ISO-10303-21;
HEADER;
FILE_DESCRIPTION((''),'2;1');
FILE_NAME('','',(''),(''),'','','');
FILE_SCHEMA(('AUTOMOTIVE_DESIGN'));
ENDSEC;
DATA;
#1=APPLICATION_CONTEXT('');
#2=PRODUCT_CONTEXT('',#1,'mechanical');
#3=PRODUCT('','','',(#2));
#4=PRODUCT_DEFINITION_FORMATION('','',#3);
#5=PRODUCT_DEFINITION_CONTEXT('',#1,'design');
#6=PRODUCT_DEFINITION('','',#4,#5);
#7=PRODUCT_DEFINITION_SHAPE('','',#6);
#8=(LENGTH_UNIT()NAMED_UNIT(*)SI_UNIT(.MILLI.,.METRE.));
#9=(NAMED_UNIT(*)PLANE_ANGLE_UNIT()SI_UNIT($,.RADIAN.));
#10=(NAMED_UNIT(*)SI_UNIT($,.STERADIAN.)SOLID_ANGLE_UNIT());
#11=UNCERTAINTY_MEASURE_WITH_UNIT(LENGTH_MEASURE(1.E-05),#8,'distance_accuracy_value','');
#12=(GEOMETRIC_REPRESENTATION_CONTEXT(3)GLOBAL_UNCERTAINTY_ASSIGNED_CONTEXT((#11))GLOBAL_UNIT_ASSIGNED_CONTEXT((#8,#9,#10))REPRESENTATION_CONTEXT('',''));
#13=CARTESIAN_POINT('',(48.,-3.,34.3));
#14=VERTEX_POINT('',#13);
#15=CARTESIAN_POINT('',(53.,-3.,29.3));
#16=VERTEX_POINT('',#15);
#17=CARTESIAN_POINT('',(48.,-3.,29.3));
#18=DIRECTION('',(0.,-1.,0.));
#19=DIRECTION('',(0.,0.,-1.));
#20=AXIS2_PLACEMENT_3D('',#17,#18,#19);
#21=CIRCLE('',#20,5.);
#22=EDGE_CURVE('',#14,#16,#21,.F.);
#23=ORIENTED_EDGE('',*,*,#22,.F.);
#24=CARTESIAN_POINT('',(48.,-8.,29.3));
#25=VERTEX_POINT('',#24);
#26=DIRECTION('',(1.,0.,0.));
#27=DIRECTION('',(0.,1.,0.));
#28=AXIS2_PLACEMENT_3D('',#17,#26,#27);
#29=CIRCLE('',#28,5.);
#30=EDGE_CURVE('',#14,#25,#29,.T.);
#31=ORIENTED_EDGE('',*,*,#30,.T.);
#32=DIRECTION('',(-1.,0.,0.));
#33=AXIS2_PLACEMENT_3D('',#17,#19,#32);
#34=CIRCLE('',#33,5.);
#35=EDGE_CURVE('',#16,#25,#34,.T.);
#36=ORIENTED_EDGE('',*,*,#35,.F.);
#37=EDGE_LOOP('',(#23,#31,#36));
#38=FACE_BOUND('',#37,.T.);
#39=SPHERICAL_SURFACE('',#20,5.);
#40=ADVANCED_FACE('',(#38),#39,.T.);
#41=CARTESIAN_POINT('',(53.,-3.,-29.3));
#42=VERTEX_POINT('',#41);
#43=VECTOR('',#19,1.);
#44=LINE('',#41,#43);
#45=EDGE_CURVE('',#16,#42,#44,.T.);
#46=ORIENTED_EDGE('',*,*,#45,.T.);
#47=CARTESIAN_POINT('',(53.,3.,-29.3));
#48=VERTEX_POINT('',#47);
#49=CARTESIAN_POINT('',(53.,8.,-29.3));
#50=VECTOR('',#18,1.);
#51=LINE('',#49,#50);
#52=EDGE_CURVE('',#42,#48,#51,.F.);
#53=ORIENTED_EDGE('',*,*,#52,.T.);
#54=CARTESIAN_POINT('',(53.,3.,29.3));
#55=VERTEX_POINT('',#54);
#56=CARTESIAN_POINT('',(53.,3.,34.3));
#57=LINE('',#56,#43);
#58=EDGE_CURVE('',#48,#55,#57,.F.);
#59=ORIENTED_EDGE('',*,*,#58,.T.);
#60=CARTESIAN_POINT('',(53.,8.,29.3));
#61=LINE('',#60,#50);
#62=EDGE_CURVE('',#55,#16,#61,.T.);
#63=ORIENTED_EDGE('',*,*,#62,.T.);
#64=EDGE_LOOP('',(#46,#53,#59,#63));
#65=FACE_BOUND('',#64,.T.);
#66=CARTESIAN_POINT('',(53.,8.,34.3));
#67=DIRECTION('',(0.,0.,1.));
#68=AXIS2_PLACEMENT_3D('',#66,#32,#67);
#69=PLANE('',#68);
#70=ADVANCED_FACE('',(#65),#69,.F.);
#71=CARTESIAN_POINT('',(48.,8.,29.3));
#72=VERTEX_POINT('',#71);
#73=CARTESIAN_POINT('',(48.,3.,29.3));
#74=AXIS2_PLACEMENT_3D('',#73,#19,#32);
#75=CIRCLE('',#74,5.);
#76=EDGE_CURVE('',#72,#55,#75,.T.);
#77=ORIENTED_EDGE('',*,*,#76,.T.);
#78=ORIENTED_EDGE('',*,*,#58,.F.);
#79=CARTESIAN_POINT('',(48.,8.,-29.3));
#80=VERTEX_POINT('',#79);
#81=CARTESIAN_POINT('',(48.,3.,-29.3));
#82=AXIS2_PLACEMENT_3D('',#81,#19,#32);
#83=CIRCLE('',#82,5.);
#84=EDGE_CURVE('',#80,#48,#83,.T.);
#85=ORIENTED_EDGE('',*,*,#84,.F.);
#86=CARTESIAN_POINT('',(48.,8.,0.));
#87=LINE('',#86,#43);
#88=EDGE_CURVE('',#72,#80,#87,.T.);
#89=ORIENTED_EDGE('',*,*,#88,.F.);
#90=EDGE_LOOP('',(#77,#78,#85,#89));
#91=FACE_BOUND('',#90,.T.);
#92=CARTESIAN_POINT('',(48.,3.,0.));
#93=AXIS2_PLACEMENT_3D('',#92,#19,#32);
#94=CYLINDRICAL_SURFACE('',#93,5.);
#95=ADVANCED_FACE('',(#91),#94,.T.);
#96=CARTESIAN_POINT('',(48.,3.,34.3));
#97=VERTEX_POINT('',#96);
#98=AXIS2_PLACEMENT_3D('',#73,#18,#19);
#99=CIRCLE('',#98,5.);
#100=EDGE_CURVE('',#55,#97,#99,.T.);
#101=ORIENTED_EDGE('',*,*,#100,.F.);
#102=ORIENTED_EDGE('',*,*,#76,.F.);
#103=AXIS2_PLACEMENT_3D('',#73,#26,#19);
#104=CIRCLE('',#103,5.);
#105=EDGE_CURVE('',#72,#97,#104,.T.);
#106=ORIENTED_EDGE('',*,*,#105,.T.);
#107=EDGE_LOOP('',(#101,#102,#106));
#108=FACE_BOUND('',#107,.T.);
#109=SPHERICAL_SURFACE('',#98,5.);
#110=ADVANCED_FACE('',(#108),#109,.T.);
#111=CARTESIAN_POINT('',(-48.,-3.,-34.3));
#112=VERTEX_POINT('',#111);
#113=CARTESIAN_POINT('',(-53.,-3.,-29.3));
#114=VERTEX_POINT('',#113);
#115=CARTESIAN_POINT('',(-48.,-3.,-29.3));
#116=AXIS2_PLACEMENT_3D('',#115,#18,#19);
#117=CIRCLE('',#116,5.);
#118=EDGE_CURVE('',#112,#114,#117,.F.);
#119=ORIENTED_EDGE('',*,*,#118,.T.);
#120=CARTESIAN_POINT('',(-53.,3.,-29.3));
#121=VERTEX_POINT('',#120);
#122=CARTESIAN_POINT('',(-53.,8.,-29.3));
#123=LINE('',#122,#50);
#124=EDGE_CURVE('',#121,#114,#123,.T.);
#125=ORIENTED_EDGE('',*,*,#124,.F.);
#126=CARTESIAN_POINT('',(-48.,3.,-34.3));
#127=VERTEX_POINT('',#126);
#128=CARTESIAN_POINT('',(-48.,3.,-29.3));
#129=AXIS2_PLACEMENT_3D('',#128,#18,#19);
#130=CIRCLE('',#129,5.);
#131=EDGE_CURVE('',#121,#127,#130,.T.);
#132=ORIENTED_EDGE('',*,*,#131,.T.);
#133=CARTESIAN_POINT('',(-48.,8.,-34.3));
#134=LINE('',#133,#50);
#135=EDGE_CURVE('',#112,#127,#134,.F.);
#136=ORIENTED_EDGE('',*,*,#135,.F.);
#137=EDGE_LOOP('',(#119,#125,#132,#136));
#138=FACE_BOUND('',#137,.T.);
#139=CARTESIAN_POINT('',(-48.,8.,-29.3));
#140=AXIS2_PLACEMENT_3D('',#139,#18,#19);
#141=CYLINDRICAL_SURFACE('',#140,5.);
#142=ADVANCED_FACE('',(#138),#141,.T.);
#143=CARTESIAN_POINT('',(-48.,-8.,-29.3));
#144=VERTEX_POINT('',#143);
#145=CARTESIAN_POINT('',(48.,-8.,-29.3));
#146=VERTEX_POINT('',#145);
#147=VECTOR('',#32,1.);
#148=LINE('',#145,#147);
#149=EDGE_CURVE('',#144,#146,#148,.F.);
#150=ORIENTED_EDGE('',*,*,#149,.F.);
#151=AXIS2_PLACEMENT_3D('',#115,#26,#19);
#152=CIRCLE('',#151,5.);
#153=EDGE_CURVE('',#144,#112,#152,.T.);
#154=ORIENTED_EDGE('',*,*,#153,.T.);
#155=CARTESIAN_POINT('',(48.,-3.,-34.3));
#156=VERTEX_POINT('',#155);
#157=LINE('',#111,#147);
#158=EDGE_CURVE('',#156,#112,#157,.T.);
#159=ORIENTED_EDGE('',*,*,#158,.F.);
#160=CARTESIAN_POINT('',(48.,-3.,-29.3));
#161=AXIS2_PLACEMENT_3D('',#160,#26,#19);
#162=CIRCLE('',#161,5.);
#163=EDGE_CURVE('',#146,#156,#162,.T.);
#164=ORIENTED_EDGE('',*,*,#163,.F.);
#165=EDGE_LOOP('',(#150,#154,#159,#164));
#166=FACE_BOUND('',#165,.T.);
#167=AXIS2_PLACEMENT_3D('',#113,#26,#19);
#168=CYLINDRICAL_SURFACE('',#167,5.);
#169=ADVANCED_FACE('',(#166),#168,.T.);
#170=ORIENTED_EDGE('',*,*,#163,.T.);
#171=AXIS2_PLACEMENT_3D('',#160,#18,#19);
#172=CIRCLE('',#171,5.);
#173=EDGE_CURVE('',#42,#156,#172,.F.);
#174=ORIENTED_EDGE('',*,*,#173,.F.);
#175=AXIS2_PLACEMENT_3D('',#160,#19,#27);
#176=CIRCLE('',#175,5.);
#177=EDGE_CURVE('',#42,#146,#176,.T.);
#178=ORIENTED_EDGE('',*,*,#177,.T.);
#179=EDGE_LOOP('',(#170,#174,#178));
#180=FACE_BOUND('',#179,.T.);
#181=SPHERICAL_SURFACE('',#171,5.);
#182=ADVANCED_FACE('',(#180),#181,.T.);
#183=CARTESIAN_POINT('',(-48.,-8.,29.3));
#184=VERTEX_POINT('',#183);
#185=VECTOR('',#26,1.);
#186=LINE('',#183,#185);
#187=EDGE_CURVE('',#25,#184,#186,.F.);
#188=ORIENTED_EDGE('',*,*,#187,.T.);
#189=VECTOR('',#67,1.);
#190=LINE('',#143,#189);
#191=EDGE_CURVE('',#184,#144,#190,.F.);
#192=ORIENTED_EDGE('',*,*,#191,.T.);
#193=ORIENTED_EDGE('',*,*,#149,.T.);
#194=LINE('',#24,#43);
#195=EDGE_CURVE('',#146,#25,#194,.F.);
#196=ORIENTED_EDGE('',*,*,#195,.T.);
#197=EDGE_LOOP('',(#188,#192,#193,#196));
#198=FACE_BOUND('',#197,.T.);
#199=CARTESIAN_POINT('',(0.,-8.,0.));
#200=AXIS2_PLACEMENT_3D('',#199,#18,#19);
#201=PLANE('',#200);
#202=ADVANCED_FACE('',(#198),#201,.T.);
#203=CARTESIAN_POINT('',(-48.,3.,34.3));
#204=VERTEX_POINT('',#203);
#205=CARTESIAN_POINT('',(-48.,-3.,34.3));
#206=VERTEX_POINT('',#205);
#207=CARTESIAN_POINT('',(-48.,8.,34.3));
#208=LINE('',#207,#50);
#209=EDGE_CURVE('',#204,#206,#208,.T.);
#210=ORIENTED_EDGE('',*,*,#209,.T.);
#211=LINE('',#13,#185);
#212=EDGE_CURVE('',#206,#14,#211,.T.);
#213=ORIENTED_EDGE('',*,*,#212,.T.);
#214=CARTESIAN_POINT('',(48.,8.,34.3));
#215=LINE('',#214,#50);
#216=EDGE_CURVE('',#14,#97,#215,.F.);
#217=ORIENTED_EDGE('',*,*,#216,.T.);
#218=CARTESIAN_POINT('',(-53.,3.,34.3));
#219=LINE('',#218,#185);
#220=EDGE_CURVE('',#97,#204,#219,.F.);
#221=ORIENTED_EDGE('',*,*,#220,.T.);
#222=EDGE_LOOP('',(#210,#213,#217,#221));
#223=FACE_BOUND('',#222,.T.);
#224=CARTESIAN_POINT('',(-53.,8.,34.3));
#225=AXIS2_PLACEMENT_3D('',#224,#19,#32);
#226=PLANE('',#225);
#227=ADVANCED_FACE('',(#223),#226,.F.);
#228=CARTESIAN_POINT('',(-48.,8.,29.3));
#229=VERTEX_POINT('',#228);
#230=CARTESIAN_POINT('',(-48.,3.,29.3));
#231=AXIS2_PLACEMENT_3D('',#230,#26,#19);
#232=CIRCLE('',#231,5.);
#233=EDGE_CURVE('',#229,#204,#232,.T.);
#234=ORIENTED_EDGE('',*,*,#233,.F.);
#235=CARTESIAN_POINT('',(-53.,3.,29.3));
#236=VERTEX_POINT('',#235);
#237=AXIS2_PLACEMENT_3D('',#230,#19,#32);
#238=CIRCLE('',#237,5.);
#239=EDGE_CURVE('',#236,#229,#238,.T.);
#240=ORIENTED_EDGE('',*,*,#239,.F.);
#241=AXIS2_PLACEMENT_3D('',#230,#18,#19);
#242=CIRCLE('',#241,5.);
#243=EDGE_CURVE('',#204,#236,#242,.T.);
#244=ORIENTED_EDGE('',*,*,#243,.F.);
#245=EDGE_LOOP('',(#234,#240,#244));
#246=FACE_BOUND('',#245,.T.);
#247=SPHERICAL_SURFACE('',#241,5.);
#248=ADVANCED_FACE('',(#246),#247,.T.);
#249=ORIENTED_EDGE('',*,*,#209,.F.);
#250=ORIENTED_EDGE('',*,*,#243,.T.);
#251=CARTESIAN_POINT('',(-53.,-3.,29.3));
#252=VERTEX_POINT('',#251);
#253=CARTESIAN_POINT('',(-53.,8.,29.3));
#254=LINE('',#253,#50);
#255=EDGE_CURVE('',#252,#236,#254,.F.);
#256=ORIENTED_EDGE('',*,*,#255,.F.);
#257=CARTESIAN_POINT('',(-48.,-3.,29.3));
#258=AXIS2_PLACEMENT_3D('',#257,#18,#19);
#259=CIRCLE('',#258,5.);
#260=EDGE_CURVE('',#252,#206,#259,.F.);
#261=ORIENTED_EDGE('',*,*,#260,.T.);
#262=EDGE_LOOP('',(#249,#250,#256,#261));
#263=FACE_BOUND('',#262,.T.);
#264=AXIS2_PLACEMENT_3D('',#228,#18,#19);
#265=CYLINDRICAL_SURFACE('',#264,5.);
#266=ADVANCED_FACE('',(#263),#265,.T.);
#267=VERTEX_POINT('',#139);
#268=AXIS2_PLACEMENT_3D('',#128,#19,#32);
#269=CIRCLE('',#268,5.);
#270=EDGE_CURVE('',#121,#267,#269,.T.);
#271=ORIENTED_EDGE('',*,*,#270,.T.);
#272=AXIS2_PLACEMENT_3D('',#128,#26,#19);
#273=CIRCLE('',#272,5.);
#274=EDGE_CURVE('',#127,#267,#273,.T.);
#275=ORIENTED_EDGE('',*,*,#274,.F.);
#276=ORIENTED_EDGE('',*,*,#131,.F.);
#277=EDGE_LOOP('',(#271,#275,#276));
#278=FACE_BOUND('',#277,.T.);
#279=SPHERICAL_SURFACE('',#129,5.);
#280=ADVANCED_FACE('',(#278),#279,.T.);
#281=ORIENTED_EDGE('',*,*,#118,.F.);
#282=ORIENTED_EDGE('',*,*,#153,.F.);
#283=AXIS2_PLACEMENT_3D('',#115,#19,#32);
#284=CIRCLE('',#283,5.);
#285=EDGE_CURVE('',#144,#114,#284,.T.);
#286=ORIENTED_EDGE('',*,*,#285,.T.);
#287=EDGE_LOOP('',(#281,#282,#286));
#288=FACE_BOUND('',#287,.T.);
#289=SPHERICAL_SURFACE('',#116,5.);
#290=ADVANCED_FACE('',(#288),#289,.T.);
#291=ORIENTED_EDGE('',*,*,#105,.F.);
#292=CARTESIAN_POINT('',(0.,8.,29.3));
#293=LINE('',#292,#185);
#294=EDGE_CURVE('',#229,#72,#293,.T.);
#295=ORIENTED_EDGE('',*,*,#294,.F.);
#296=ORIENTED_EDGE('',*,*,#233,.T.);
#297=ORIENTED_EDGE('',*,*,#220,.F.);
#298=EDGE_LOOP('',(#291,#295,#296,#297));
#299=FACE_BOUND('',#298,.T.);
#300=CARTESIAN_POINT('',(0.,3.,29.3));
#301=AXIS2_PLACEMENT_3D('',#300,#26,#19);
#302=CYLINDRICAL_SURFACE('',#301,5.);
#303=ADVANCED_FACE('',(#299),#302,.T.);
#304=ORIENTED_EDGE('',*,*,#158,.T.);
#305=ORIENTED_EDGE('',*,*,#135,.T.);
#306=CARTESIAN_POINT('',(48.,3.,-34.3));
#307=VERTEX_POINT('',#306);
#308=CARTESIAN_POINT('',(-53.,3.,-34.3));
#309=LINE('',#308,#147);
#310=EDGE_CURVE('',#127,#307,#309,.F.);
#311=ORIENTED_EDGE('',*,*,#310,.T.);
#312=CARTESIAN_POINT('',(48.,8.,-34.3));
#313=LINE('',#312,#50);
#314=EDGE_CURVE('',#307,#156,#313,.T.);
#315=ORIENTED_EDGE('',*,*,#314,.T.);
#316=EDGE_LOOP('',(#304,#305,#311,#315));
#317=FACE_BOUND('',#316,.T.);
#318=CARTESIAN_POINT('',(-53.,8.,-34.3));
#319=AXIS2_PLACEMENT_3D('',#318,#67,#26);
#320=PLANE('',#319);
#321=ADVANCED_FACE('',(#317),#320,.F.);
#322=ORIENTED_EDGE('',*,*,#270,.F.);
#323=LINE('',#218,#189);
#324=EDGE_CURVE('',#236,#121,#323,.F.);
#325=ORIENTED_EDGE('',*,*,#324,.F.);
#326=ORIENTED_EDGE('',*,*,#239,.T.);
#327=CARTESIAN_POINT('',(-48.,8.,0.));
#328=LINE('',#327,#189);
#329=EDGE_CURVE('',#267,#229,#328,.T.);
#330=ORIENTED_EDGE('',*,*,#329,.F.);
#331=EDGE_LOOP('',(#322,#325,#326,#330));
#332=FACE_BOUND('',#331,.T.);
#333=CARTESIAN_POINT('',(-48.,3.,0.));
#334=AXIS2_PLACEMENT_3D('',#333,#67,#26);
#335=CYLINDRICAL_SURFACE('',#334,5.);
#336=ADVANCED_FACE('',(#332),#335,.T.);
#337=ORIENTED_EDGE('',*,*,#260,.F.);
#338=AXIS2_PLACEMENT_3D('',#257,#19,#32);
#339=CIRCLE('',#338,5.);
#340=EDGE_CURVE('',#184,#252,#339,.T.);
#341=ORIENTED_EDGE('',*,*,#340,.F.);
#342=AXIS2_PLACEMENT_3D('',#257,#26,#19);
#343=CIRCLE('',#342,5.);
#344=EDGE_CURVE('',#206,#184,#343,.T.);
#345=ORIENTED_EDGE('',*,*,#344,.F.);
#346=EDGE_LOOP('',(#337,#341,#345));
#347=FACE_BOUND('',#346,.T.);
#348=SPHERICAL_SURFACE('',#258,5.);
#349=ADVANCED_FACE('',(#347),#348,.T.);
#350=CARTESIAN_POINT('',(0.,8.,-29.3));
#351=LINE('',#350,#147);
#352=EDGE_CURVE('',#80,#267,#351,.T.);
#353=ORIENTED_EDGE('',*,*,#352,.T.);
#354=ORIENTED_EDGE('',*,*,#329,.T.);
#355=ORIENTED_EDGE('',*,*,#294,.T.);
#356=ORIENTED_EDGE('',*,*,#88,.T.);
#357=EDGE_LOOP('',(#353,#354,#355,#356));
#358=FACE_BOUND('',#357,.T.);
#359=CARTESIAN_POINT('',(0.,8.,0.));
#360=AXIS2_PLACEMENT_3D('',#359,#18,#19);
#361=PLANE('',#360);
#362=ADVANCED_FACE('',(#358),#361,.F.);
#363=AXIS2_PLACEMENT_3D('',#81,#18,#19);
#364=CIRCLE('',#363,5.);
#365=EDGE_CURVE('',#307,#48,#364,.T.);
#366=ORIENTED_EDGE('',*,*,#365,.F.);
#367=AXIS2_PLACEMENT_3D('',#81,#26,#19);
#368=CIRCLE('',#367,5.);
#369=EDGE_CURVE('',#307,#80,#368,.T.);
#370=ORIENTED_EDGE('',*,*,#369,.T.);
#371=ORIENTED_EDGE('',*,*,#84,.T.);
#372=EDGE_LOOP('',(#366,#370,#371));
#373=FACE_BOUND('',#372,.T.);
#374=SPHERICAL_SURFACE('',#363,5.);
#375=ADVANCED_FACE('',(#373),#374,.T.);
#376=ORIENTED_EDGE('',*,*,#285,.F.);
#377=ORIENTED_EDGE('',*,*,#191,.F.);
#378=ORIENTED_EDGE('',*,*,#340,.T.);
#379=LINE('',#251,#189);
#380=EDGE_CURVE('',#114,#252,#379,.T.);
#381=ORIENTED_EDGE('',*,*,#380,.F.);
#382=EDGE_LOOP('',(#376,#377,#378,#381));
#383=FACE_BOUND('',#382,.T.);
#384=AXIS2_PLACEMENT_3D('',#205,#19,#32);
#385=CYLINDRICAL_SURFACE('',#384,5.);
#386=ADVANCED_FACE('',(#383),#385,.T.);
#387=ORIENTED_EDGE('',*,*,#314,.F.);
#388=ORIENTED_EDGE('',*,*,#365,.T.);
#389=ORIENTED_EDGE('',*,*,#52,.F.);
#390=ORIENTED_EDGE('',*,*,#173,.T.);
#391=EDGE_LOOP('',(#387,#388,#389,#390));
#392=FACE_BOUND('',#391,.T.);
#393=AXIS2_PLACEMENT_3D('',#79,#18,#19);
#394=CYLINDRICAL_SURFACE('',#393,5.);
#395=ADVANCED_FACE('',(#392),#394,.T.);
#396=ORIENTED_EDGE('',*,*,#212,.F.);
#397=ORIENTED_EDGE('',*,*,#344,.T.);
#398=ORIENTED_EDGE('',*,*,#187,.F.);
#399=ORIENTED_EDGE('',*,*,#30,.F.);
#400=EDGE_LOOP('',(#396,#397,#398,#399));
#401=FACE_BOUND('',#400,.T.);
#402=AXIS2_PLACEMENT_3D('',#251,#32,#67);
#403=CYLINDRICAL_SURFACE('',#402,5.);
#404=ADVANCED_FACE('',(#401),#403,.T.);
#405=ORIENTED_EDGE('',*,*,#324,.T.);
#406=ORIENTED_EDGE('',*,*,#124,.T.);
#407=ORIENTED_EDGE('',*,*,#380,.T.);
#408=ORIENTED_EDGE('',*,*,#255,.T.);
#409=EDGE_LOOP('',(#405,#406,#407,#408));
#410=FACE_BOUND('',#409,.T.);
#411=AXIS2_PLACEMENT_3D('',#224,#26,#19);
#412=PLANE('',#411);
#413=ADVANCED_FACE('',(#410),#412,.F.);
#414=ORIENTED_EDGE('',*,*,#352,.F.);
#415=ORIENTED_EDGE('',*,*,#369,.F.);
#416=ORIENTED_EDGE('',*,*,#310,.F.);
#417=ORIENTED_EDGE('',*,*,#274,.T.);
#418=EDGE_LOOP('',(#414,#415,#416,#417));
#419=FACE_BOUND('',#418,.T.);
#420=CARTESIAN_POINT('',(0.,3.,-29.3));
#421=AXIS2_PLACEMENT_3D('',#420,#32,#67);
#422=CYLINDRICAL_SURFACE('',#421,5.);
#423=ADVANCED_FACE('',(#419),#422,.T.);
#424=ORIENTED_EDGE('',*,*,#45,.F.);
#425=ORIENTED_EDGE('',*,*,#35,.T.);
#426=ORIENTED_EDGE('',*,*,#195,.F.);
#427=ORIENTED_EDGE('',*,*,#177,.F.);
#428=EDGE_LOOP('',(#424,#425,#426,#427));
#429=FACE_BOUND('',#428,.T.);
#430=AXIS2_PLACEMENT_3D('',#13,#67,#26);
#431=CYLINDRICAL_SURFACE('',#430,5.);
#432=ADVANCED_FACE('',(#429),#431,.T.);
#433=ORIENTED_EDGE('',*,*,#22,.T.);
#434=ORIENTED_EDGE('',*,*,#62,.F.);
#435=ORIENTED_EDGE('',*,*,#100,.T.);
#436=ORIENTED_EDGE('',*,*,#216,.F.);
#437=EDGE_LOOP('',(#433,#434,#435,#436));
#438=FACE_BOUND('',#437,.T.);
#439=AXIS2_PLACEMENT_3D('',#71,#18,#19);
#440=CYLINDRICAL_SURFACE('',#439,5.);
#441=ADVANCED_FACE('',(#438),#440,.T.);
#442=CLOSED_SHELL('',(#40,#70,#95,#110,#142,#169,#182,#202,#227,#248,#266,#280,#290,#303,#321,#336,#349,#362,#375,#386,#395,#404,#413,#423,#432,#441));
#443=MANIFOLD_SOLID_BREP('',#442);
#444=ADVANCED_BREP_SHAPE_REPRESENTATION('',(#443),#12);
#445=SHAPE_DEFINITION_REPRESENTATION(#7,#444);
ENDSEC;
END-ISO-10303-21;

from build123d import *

# Parameters (mm, degrees)
SKETCH1_W           = 106
SKETCH1_H           = 68.6
BOSS_EXTRUDE1_DEPTH = 8
FILLET1_R           = 5
FILLET2_R           = 5


with BuildPart() as part:
    # Sketch1 → Boss-Extrude1 (new, symmetric)
    with BuildSketch(Plane(origin=(0, 0, 0), x_dir=(1, 0, 0), z_dir=(0, 1, 0))):
        Rectangle(SKETCH1_W, SKETCH1_H)
    extrude(amount=BOSS_EXTRUDE1_DEPTH, both=True)

    # Fillet1
    fillet1_edges = [part.edges().sort_by_distance(p)[0] for p in [
        (53, 0, 34.3),
        (-53, 0, 34.3),
        (-53, 0, -34.3),
        (53, 0, -34.3),
    ]]
    fillet(fillet1_edges, radius=FILLET1_R)

    # Fillet2
    fillet2_edges = [part.edges().sort_by_distance(p)[0] for p in [
        (-53, -8, 0),
        (-53, 8, 0),
        (53, -8, 0),
        (0, -8, 34.3),
        (0, -8, -34.3),
        (-51.535533906, -8, 32.835533906),
        (51.535533906, -8, 32.835533906),
        (51.535533906, -8, -32.835533906),
        (-51.535533906, -8, -32.835533906),
        (0, 8, -34.3),
        (53, 8, 0),
        (0, 8, 34.3),
        (-51.535533906, 8, 32.835533906),
        (51.535533906, 8, 32.835533906),
        (51.535533906, 8, -32.835533906),
        (-51.535533906, 8, -32.835533906),
    ]]
    fillet(fillet2_edges, radius=FILLET2_R)


solid = part.part
